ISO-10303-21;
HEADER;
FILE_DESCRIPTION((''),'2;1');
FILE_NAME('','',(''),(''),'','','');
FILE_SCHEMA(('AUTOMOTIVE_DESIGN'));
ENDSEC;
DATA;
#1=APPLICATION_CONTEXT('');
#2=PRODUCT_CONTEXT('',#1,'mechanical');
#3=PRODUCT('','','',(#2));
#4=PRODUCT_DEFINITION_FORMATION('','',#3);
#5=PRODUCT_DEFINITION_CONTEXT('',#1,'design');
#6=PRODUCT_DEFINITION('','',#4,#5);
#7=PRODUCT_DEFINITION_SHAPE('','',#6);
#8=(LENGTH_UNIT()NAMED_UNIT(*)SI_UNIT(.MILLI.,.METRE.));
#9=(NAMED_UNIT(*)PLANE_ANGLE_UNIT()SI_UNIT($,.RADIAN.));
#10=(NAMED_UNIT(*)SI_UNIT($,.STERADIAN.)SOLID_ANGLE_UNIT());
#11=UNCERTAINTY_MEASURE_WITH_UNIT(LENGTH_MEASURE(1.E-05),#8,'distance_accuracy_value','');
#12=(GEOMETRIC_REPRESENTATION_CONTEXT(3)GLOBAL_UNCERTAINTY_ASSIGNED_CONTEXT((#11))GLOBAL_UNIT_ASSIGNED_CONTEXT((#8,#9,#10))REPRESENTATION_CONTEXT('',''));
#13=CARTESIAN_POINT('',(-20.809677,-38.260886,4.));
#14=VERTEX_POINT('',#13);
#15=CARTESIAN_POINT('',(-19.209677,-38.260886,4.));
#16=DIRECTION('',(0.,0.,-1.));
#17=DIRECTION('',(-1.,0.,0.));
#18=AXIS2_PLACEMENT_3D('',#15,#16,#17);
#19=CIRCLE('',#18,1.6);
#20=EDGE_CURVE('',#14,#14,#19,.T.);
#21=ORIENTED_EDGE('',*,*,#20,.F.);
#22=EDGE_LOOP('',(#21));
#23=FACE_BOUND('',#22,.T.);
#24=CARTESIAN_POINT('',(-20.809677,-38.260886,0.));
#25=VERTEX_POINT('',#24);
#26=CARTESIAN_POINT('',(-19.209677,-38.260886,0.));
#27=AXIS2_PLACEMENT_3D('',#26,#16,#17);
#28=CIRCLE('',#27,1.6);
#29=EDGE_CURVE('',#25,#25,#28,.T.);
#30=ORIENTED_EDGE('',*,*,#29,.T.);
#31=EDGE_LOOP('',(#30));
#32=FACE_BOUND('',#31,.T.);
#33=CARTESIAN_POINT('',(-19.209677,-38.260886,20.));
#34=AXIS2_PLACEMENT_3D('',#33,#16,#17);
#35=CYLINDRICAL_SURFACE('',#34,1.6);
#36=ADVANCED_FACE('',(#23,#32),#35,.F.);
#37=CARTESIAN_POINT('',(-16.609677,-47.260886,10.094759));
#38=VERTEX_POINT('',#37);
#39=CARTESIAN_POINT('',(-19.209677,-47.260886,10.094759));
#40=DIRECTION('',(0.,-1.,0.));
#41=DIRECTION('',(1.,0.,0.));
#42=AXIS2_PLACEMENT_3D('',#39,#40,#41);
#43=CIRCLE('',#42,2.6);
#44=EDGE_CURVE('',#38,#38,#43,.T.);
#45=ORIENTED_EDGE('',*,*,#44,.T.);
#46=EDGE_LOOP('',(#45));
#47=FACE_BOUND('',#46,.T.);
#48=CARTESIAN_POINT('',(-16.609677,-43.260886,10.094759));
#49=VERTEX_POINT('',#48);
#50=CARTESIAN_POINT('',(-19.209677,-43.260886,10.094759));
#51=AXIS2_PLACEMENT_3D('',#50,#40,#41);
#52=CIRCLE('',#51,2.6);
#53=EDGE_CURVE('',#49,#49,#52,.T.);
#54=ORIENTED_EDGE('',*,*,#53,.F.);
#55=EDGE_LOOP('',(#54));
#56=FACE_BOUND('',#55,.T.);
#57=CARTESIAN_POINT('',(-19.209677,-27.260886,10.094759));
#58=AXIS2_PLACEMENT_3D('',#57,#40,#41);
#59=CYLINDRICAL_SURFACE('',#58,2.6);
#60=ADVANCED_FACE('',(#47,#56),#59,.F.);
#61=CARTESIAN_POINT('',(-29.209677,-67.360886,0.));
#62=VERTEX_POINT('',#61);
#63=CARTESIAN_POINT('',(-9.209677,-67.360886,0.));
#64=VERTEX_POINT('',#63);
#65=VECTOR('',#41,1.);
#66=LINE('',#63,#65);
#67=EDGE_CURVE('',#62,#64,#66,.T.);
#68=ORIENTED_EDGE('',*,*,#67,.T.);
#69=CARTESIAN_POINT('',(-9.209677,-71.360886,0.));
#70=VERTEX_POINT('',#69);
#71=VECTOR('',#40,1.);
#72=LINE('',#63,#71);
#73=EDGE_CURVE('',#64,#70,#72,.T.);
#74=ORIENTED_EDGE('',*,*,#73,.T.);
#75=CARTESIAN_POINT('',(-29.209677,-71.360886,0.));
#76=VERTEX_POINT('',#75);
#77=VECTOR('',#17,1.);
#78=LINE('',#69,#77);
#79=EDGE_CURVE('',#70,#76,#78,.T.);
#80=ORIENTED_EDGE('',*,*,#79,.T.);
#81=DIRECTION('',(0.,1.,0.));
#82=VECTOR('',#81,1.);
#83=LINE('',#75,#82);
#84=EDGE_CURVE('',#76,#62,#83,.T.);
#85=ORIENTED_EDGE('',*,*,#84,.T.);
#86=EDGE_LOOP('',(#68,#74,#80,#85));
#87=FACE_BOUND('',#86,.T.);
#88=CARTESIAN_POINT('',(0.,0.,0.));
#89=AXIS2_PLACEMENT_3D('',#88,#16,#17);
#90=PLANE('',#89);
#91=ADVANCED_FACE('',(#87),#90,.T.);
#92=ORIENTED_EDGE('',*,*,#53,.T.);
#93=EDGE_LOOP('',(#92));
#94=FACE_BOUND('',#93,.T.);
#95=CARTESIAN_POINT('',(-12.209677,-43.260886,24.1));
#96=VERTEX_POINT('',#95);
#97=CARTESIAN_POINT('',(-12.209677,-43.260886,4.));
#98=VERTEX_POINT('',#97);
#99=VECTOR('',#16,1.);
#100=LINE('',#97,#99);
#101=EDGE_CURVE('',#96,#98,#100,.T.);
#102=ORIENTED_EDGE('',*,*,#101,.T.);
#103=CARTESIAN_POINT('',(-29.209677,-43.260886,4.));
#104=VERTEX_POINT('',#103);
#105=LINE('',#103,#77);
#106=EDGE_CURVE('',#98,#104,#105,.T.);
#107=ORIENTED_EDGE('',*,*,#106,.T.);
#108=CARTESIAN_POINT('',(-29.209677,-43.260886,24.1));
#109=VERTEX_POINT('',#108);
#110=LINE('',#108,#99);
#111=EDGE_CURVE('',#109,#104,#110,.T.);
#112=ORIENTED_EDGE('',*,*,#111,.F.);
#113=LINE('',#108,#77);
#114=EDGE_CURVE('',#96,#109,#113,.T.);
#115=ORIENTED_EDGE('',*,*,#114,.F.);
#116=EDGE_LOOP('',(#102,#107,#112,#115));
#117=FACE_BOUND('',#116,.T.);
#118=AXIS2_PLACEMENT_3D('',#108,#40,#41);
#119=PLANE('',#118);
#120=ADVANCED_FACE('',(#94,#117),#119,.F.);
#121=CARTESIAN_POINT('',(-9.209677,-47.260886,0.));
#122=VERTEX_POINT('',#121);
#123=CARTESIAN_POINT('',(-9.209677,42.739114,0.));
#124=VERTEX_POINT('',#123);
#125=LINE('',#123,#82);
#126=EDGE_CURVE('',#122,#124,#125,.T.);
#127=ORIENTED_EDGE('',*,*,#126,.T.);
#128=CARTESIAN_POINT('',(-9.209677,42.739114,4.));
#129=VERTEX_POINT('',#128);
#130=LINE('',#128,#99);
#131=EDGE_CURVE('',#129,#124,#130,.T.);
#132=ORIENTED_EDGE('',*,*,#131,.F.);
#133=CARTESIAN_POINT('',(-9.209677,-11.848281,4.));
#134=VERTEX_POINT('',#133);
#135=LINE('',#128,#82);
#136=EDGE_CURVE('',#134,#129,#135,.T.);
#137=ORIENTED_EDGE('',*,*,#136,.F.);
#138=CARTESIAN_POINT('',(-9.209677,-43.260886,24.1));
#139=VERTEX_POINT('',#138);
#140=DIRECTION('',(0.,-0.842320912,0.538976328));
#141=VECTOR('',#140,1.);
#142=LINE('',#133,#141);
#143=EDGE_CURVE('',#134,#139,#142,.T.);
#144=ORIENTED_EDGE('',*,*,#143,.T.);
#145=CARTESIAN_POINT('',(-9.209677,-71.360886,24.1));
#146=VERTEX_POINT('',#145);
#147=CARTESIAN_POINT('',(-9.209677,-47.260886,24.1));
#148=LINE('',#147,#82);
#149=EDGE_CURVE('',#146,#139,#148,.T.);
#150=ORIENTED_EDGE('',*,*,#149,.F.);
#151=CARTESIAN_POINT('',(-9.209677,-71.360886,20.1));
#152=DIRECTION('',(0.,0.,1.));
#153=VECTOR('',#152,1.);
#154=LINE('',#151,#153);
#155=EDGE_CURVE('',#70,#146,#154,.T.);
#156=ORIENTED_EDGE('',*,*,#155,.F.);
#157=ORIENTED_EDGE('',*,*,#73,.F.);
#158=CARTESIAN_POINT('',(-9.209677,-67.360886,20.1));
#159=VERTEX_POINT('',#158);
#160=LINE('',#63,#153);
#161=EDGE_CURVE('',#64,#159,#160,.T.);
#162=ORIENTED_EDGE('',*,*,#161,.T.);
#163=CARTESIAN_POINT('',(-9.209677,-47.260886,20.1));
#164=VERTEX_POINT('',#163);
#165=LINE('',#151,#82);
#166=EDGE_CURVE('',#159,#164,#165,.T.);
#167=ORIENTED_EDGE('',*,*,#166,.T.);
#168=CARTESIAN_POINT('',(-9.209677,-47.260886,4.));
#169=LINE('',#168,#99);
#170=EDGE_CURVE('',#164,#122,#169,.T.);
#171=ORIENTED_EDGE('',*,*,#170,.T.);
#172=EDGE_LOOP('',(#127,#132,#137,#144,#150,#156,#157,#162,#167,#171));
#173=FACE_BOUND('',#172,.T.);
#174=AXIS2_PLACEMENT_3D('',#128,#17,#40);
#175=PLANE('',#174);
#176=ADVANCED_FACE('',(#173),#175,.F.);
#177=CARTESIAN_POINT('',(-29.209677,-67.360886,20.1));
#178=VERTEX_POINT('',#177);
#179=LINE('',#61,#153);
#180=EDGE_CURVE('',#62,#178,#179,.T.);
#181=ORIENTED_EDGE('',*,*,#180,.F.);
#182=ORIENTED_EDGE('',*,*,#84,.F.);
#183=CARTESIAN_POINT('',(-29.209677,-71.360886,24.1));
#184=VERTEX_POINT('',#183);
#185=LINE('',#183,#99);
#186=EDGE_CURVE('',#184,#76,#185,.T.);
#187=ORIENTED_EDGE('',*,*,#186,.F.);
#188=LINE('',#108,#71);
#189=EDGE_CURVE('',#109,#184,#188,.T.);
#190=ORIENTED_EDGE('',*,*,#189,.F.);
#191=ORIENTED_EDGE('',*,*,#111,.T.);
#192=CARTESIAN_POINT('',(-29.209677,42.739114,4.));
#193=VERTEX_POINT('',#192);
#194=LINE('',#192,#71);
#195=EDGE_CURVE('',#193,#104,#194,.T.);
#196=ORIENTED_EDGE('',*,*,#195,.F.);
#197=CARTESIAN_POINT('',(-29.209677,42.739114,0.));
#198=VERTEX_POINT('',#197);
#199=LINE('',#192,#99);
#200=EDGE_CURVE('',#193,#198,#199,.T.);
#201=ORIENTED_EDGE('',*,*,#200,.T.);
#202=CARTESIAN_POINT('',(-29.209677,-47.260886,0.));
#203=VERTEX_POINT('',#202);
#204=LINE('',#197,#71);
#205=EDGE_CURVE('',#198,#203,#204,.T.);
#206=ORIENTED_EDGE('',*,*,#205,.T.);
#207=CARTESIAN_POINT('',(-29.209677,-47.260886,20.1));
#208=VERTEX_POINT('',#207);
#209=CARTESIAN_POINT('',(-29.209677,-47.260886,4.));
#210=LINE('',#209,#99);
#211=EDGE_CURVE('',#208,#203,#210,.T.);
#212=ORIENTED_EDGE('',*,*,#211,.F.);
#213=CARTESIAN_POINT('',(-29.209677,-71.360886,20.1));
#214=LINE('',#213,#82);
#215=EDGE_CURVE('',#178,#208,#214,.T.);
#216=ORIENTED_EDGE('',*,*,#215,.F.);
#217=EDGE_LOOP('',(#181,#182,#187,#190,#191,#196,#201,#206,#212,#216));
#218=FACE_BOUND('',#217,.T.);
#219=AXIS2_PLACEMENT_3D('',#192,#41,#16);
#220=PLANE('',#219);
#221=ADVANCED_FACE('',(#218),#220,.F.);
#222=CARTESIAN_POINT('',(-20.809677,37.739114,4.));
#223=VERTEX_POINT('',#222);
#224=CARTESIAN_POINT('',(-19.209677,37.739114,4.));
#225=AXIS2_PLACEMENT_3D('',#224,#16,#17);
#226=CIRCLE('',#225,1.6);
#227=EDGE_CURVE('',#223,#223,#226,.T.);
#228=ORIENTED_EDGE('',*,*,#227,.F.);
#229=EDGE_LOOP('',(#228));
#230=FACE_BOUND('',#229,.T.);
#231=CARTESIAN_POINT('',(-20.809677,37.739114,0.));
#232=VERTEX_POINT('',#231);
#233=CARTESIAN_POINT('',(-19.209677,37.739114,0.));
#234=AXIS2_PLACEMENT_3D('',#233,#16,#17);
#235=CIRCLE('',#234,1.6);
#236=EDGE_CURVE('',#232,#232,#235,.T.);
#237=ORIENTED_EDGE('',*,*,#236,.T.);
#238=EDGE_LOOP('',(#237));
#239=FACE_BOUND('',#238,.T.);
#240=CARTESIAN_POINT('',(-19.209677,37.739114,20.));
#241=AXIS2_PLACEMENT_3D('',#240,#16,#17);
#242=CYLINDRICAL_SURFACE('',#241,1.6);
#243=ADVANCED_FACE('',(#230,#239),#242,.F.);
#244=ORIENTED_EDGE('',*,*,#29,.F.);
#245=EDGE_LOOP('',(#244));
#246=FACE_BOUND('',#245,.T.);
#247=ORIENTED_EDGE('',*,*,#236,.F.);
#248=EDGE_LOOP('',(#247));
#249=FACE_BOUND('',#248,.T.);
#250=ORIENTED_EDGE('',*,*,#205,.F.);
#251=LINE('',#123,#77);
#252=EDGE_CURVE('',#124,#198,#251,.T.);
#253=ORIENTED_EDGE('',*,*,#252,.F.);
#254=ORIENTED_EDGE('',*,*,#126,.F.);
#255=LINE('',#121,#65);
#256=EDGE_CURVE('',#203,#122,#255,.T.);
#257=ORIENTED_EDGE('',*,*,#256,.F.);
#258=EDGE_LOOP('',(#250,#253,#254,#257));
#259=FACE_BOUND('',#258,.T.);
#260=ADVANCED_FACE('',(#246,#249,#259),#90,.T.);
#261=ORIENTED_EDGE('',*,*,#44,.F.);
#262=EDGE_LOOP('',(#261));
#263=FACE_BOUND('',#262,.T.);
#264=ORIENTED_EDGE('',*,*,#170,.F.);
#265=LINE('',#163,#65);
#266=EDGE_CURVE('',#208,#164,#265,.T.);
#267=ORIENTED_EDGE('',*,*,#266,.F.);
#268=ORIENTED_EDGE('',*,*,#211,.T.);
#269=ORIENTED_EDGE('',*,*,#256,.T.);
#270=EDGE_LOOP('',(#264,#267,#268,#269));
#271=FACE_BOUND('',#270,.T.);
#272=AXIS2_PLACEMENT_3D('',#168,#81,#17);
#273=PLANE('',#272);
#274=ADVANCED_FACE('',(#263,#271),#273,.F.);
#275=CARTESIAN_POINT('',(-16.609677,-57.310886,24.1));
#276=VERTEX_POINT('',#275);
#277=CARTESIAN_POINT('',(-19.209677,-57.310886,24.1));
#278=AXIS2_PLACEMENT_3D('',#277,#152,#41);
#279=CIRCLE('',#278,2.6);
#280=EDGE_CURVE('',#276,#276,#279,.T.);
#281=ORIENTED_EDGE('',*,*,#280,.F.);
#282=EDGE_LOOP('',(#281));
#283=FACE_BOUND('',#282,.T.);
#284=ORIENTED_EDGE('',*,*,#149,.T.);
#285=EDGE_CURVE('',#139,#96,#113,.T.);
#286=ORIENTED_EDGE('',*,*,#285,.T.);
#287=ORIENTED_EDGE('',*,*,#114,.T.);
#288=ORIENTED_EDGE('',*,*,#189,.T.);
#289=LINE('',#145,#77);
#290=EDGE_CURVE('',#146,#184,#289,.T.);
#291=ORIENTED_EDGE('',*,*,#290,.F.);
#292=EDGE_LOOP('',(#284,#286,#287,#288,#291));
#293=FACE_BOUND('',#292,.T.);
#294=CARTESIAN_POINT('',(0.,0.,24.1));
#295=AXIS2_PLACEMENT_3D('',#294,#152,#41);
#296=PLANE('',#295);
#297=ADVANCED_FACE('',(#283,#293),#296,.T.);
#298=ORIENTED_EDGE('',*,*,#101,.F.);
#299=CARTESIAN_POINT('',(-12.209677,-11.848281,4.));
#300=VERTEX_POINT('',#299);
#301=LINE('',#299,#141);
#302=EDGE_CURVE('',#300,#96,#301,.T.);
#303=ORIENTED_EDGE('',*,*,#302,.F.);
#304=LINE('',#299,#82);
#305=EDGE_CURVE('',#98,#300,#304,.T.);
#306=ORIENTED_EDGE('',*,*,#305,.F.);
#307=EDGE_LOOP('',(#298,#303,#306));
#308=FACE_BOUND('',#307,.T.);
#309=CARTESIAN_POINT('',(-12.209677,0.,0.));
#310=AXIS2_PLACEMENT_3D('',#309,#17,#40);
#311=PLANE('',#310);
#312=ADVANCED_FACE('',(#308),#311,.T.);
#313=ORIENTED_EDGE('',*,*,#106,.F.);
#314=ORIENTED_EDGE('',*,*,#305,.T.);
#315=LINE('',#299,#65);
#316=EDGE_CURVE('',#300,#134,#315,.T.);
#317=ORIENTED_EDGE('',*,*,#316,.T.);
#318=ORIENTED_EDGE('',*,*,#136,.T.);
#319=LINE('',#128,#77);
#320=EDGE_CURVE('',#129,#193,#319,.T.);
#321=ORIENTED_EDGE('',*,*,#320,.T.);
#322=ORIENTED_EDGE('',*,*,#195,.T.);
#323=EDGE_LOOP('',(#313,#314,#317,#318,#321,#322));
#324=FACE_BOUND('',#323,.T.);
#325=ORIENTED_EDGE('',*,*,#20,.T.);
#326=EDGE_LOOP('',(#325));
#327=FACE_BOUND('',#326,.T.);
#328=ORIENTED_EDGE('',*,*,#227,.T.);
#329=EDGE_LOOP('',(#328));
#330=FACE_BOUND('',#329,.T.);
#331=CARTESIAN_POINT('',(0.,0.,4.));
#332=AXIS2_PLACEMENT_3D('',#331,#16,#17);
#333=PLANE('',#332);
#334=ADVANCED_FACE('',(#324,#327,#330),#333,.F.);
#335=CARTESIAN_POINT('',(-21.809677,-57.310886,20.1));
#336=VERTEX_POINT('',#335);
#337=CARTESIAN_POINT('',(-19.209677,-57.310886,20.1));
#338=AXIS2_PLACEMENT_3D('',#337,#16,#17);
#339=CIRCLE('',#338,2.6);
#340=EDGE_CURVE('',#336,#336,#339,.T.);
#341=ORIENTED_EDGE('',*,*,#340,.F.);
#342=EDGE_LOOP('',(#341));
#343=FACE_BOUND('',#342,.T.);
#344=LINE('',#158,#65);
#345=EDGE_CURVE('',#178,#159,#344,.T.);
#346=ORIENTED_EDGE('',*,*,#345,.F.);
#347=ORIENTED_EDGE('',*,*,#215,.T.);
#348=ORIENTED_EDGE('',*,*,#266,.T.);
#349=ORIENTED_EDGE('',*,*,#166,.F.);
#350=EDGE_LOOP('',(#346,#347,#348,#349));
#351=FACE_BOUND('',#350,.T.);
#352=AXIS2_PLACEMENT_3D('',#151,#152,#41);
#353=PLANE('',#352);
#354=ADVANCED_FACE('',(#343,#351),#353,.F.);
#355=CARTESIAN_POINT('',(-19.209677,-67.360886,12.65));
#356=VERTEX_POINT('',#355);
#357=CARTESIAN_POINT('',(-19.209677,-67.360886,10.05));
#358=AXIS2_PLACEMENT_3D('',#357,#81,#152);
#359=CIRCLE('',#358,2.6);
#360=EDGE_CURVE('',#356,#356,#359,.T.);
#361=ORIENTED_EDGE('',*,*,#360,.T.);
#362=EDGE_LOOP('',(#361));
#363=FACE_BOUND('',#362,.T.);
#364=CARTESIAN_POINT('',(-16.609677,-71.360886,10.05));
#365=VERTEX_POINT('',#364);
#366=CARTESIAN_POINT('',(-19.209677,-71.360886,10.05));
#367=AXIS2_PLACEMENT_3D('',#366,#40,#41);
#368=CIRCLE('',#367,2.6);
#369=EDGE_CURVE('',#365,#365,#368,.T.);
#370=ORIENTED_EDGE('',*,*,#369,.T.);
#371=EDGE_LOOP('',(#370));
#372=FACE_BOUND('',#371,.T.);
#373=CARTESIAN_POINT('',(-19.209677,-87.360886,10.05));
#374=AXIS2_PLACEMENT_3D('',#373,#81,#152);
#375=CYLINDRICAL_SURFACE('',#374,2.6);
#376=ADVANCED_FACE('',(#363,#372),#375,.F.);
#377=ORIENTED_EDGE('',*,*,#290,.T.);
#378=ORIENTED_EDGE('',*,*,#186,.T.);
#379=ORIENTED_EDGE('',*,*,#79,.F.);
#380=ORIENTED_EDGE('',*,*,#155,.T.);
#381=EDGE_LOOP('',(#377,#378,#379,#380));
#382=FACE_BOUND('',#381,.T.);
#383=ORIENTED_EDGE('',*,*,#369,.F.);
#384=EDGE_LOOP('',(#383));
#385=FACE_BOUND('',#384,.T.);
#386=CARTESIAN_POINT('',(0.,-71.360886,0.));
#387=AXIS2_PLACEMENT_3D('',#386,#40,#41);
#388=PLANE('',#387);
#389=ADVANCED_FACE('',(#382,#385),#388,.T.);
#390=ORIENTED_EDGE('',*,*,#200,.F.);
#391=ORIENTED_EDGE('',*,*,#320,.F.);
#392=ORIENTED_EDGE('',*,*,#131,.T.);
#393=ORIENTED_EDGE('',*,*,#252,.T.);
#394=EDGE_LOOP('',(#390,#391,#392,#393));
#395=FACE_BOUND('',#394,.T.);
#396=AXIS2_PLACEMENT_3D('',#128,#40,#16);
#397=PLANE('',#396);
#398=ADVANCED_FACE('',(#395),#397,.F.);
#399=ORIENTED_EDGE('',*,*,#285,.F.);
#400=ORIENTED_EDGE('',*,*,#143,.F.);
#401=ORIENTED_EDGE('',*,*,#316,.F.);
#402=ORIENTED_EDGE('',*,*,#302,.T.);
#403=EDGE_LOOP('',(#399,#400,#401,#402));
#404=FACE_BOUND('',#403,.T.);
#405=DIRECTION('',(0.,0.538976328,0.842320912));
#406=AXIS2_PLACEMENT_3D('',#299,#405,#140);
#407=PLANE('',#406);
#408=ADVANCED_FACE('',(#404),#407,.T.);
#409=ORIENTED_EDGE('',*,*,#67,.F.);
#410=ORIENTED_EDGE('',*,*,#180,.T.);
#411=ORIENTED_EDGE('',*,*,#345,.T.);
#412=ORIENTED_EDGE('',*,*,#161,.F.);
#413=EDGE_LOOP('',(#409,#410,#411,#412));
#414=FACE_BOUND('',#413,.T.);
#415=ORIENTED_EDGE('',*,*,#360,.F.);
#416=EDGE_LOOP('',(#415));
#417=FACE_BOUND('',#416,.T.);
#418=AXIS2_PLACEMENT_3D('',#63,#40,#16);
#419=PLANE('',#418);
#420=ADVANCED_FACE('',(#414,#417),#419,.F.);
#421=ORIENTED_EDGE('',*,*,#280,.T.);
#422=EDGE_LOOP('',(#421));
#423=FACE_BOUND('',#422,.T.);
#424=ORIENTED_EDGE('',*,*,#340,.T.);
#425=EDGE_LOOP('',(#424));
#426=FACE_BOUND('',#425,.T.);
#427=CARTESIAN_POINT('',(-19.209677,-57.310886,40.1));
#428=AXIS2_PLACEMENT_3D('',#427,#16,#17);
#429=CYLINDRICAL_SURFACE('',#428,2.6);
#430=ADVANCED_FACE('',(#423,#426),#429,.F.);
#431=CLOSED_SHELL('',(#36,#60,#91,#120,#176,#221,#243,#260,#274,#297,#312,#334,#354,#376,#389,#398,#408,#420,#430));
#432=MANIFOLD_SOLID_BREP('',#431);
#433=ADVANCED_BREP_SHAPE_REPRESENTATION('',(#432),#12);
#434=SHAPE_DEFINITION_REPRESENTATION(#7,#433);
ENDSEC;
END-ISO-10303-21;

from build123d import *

# Parameters (mm, degrees)
SKETCH_1_W          = 20
SKETCH_1_H          = 90
EXTRUDE_1_DEPTH     = 4
SKETCH_2_W          = 20
SKETCH_2_H          = 4
EXTRUDE_2_DEPTH     = 20.1
SKETCH_3_W          = 20
SKETCH_3_H          = 4
EXTRUDE_3_DEPTH     = 24.1
SKETCH_4_W          = 20
SKETCH_4_H          = 4
EXTRUDE_4_DEPTH     = 20.1
SKETCH_5_R          = 2.6
CUT_EXTRUDE_1_DEPTH = 20
SKETCH_6_R          = 2.6
CUT_EXTRUDE_2_DEPTH = 20
SKETCH_7_R          = 2.6
CUT_EXTRUDE_3_DEPTH = 20
SKETCH_9_R          = 1.6
CUT_EXTRUDE_4_DEPTH = 20
EXTRUDE_5_DEPTH     = 3


with BuildPart() as part:
    # 草图1 → 凸台-拉伸1 (new body)
    with BuildSketch(Plane.XY):
        with Locations((-19.209677061, -2.260885663)):
            Rectangle(SKETCH_1_W, SKETCH_1_H)
    extrude(amount=EXTRUDE_1_DEPTH)

    # 草图2 → 凸台-拉伸2 (add)
    with BuildSketch(Plane.XY.offset(4)):
        with Locations((-19.209677061, -45.260885663)):
            Rectangle(SKETCH_2_W, SKETCH_2_H)
    extrude(amount=EXTRUDE_2_DEPTH)

    # 草图3 → 凸台-拉伸3 (add)
    with BuildSketch(Plane(origin=(0, -47.260885663, 0), x_dir=(-1, 0, 0), z_dir=(0, -1, 0))):
        with Locations((19.209677061, -22.1)):
            Rectangle(SKETCH_3_W, SKETCH_3_H)
    extrude(amount=EXTRUDE_3_DEPTH)

    # 草图4 → 凸台-拉伸4 (add)
    with BuildSketch(Plane(origin=(0, 0, 20.1), x_dir=(-1, 0, 0), z_dir=(0, 0, -1))):
        with Locations((19.209677061, -69.360885663)):
            Rectangle(SKETCH_4_W, SKETCH_4_H)
    extrude(amount=EXTRUDE_4_DEPTH)

    # 草图5 → 切除-拉伸1 (cut)
    with BuildSketch(Plane(origin=(0, -47.260885663, 0), x_dir=(-1, 0, 0), z_dir=(0, -1, 0))):
        with Locations((19.209677061, -10.094759339)):
            Circle(SKETCH_5_R)
    extrude(amount=-CUT_EXTRUDE_1_DEPTH, mode=Mode.SUBTRACT)

    # 草图6 → 切除-拉伸2 (cut)
    with BuildSketch(Plane(origin=(0, 0, 20.1), x_dir=(-1, 0, 0), z_dir=(0, 0, -1))):
        with Locations((19.209677061, -57.310885663)):
            Circle(SKETCH_6_R)
    extrude(amount=-CUT_EXTRUDE_2_DEPTH, mode=Mode.SUBTRACT)

    # 草图7 → 切除-拉伸3 (cut)
    with BuildSketch(Plane(origin=(0, -67.360885663, 0), x_dir=(1, 0, 0), z_dir=(0, 1, 0))):
        with Locations((-19.209677061, -10.05)):
            Circle(SKETCH_7_R)
    extrude(amount=-CUT_EXTRUDE_3_DEPTH, mode=Mode.SUBTRACT)

    # 草图9 → 切除-拉伸4 (cut)
    with BuildSketch(Plane(origin=(0, 0, 0), x_dir=(-1, 0, 0), z_dir=(0, 0, -1))):
        with Locations((19.209677061, 37.739114337)):
            Circle(SKETCH_9_R)
        with Locations((19.209677061, -38.260885663)):
            Circle(SKETCH_9_R)
    extrude(amount=-CUT_EXTRUDE_4_DEPTH, mode=Mode.SUBTRACT)

    # 草图10 → 凸台-拉伸5 (add)
    with BuildSketch(Plane(origin=(-9.209677061, 0, 0), x_dir=(0, 0, -1), z_dir=(1, 0, 0))):
        Polygon((-4, -11.848280973), (-24.1, -43.260885663), (-4, -43.260885663), align=None)
    extrude(amount=-EXTRUDE_5_DEPTH)


solid = part.part
